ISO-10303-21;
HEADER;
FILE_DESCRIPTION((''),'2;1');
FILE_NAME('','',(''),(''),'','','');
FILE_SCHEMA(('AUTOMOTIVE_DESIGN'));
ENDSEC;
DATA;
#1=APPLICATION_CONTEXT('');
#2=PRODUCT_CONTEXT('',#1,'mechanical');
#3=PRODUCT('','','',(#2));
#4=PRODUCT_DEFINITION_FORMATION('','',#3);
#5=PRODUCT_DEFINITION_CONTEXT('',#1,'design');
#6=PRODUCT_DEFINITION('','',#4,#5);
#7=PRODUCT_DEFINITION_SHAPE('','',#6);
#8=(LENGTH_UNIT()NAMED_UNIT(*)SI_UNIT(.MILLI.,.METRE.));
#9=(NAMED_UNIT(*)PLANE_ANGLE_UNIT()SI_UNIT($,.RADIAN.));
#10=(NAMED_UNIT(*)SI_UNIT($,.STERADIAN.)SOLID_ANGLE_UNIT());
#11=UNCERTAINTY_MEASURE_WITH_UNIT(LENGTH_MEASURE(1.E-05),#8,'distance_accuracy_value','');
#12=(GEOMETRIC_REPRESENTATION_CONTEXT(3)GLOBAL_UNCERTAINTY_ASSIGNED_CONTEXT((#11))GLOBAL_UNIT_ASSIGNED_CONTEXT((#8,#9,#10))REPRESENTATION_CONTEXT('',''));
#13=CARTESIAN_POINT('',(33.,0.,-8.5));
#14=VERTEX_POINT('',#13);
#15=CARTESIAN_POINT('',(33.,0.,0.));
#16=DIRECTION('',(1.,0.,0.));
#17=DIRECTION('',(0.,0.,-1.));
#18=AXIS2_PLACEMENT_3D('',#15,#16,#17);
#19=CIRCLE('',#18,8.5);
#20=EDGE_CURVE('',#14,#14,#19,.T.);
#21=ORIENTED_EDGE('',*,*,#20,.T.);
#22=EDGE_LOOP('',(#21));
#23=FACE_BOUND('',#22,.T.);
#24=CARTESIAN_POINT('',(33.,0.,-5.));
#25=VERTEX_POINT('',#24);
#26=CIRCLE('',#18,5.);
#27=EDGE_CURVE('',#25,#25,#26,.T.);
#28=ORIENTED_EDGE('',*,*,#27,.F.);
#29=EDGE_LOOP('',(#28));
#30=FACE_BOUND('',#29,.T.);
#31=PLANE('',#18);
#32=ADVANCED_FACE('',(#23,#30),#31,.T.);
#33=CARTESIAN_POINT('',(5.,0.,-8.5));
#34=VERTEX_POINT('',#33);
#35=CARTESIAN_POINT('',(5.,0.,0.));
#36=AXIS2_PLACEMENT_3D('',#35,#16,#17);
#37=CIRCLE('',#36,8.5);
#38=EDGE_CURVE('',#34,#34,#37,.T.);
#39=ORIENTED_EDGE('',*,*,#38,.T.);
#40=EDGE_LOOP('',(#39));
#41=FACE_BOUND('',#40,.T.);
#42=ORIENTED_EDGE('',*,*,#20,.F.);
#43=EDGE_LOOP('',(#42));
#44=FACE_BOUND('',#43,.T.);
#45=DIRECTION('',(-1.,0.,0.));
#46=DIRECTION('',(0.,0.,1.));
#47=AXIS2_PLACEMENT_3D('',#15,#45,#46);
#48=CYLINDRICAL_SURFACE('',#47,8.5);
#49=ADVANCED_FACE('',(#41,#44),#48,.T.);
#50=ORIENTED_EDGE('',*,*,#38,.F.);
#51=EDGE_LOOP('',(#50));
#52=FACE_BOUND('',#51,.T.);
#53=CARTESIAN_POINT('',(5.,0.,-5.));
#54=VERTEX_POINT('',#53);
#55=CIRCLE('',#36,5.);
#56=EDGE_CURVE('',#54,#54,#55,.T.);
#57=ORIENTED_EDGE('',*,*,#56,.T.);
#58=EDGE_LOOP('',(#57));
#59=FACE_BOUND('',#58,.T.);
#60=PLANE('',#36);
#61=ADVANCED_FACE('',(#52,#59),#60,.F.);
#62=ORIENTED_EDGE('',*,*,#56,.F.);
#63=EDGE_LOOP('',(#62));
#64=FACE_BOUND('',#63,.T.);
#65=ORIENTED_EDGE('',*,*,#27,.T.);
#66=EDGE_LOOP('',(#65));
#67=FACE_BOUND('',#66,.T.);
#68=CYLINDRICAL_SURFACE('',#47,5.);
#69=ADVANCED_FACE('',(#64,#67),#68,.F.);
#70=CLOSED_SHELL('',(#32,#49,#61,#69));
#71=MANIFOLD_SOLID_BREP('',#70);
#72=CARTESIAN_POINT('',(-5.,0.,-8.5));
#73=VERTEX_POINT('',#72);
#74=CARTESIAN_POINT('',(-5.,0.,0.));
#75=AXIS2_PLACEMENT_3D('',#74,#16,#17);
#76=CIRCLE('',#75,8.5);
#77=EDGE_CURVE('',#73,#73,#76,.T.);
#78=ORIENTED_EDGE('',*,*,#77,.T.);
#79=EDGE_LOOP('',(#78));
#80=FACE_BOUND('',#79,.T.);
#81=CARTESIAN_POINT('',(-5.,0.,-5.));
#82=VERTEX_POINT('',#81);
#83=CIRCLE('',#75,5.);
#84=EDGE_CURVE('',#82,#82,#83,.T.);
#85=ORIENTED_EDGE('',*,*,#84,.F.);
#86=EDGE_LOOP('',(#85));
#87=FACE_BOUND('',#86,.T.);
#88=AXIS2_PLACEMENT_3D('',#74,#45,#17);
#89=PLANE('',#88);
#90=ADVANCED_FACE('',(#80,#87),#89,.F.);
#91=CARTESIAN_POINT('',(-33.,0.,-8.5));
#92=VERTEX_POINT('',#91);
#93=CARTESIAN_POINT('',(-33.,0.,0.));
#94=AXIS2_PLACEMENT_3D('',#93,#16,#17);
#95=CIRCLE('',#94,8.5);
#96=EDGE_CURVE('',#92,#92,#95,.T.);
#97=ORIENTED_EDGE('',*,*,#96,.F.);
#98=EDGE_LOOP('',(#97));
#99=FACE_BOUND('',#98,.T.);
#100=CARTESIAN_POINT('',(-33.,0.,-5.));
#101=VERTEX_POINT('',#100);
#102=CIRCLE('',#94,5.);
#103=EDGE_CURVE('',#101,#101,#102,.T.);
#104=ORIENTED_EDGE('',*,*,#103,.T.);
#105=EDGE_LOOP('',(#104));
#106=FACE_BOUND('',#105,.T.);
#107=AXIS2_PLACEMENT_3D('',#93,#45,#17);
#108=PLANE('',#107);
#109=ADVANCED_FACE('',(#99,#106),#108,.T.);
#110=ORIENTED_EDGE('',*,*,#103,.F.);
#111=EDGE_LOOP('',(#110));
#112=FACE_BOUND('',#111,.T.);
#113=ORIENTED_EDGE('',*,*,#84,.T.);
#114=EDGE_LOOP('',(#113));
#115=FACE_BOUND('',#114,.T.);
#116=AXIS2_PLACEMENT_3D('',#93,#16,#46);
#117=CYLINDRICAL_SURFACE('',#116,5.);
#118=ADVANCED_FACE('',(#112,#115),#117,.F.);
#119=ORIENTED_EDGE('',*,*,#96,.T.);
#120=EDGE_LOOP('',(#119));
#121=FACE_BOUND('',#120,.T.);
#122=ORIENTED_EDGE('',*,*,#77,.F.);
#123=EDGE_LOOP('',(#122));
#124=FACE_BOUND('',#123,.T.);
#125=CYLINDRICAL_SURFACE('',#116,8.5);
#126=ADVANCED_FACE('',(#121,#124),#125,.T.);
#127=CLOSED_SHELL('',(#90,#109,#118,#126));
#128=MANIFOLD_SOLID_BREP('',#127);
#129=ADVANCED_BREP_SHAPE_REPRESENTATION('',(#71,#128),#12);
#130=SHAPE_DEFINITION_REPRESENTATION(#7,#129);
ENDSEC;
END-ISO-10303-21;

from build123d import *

# Parameters (mm, degrees)
BOSS_EXTRUDE1_START = 5
SKETCH1_R           = 8.5
SKETCH1_R_2         = 5
BOSS_EXTRUDE1_DEPTH = 28


with BuildPart() as part:
    # Sketch1 → Boss-Extrude1 (new body)
    with BuildSketch(Plane(origin=(0, 0, 0), x_dir=(0, 0, -1), z_dir=(1, 0, 0)).offset(BOSS_EXTRUDE1_START)):
        Circle(SKETCH1_R)
        Circle(SKETCH1_R_2, mode=Mode.SUBTRACT)
    extrude(amount=BOSS_EXTRUDE1_DEPTH)


with BuildPart() as body_2:
    # Mirror2: mirrored copy
    add(part.part.mirror(Plane(origin=(0, 0, 0), x_dir=(0, 0, 1), z_dir=(1, 0, 0))))


solid = Compound([part.part, body_2.part])
